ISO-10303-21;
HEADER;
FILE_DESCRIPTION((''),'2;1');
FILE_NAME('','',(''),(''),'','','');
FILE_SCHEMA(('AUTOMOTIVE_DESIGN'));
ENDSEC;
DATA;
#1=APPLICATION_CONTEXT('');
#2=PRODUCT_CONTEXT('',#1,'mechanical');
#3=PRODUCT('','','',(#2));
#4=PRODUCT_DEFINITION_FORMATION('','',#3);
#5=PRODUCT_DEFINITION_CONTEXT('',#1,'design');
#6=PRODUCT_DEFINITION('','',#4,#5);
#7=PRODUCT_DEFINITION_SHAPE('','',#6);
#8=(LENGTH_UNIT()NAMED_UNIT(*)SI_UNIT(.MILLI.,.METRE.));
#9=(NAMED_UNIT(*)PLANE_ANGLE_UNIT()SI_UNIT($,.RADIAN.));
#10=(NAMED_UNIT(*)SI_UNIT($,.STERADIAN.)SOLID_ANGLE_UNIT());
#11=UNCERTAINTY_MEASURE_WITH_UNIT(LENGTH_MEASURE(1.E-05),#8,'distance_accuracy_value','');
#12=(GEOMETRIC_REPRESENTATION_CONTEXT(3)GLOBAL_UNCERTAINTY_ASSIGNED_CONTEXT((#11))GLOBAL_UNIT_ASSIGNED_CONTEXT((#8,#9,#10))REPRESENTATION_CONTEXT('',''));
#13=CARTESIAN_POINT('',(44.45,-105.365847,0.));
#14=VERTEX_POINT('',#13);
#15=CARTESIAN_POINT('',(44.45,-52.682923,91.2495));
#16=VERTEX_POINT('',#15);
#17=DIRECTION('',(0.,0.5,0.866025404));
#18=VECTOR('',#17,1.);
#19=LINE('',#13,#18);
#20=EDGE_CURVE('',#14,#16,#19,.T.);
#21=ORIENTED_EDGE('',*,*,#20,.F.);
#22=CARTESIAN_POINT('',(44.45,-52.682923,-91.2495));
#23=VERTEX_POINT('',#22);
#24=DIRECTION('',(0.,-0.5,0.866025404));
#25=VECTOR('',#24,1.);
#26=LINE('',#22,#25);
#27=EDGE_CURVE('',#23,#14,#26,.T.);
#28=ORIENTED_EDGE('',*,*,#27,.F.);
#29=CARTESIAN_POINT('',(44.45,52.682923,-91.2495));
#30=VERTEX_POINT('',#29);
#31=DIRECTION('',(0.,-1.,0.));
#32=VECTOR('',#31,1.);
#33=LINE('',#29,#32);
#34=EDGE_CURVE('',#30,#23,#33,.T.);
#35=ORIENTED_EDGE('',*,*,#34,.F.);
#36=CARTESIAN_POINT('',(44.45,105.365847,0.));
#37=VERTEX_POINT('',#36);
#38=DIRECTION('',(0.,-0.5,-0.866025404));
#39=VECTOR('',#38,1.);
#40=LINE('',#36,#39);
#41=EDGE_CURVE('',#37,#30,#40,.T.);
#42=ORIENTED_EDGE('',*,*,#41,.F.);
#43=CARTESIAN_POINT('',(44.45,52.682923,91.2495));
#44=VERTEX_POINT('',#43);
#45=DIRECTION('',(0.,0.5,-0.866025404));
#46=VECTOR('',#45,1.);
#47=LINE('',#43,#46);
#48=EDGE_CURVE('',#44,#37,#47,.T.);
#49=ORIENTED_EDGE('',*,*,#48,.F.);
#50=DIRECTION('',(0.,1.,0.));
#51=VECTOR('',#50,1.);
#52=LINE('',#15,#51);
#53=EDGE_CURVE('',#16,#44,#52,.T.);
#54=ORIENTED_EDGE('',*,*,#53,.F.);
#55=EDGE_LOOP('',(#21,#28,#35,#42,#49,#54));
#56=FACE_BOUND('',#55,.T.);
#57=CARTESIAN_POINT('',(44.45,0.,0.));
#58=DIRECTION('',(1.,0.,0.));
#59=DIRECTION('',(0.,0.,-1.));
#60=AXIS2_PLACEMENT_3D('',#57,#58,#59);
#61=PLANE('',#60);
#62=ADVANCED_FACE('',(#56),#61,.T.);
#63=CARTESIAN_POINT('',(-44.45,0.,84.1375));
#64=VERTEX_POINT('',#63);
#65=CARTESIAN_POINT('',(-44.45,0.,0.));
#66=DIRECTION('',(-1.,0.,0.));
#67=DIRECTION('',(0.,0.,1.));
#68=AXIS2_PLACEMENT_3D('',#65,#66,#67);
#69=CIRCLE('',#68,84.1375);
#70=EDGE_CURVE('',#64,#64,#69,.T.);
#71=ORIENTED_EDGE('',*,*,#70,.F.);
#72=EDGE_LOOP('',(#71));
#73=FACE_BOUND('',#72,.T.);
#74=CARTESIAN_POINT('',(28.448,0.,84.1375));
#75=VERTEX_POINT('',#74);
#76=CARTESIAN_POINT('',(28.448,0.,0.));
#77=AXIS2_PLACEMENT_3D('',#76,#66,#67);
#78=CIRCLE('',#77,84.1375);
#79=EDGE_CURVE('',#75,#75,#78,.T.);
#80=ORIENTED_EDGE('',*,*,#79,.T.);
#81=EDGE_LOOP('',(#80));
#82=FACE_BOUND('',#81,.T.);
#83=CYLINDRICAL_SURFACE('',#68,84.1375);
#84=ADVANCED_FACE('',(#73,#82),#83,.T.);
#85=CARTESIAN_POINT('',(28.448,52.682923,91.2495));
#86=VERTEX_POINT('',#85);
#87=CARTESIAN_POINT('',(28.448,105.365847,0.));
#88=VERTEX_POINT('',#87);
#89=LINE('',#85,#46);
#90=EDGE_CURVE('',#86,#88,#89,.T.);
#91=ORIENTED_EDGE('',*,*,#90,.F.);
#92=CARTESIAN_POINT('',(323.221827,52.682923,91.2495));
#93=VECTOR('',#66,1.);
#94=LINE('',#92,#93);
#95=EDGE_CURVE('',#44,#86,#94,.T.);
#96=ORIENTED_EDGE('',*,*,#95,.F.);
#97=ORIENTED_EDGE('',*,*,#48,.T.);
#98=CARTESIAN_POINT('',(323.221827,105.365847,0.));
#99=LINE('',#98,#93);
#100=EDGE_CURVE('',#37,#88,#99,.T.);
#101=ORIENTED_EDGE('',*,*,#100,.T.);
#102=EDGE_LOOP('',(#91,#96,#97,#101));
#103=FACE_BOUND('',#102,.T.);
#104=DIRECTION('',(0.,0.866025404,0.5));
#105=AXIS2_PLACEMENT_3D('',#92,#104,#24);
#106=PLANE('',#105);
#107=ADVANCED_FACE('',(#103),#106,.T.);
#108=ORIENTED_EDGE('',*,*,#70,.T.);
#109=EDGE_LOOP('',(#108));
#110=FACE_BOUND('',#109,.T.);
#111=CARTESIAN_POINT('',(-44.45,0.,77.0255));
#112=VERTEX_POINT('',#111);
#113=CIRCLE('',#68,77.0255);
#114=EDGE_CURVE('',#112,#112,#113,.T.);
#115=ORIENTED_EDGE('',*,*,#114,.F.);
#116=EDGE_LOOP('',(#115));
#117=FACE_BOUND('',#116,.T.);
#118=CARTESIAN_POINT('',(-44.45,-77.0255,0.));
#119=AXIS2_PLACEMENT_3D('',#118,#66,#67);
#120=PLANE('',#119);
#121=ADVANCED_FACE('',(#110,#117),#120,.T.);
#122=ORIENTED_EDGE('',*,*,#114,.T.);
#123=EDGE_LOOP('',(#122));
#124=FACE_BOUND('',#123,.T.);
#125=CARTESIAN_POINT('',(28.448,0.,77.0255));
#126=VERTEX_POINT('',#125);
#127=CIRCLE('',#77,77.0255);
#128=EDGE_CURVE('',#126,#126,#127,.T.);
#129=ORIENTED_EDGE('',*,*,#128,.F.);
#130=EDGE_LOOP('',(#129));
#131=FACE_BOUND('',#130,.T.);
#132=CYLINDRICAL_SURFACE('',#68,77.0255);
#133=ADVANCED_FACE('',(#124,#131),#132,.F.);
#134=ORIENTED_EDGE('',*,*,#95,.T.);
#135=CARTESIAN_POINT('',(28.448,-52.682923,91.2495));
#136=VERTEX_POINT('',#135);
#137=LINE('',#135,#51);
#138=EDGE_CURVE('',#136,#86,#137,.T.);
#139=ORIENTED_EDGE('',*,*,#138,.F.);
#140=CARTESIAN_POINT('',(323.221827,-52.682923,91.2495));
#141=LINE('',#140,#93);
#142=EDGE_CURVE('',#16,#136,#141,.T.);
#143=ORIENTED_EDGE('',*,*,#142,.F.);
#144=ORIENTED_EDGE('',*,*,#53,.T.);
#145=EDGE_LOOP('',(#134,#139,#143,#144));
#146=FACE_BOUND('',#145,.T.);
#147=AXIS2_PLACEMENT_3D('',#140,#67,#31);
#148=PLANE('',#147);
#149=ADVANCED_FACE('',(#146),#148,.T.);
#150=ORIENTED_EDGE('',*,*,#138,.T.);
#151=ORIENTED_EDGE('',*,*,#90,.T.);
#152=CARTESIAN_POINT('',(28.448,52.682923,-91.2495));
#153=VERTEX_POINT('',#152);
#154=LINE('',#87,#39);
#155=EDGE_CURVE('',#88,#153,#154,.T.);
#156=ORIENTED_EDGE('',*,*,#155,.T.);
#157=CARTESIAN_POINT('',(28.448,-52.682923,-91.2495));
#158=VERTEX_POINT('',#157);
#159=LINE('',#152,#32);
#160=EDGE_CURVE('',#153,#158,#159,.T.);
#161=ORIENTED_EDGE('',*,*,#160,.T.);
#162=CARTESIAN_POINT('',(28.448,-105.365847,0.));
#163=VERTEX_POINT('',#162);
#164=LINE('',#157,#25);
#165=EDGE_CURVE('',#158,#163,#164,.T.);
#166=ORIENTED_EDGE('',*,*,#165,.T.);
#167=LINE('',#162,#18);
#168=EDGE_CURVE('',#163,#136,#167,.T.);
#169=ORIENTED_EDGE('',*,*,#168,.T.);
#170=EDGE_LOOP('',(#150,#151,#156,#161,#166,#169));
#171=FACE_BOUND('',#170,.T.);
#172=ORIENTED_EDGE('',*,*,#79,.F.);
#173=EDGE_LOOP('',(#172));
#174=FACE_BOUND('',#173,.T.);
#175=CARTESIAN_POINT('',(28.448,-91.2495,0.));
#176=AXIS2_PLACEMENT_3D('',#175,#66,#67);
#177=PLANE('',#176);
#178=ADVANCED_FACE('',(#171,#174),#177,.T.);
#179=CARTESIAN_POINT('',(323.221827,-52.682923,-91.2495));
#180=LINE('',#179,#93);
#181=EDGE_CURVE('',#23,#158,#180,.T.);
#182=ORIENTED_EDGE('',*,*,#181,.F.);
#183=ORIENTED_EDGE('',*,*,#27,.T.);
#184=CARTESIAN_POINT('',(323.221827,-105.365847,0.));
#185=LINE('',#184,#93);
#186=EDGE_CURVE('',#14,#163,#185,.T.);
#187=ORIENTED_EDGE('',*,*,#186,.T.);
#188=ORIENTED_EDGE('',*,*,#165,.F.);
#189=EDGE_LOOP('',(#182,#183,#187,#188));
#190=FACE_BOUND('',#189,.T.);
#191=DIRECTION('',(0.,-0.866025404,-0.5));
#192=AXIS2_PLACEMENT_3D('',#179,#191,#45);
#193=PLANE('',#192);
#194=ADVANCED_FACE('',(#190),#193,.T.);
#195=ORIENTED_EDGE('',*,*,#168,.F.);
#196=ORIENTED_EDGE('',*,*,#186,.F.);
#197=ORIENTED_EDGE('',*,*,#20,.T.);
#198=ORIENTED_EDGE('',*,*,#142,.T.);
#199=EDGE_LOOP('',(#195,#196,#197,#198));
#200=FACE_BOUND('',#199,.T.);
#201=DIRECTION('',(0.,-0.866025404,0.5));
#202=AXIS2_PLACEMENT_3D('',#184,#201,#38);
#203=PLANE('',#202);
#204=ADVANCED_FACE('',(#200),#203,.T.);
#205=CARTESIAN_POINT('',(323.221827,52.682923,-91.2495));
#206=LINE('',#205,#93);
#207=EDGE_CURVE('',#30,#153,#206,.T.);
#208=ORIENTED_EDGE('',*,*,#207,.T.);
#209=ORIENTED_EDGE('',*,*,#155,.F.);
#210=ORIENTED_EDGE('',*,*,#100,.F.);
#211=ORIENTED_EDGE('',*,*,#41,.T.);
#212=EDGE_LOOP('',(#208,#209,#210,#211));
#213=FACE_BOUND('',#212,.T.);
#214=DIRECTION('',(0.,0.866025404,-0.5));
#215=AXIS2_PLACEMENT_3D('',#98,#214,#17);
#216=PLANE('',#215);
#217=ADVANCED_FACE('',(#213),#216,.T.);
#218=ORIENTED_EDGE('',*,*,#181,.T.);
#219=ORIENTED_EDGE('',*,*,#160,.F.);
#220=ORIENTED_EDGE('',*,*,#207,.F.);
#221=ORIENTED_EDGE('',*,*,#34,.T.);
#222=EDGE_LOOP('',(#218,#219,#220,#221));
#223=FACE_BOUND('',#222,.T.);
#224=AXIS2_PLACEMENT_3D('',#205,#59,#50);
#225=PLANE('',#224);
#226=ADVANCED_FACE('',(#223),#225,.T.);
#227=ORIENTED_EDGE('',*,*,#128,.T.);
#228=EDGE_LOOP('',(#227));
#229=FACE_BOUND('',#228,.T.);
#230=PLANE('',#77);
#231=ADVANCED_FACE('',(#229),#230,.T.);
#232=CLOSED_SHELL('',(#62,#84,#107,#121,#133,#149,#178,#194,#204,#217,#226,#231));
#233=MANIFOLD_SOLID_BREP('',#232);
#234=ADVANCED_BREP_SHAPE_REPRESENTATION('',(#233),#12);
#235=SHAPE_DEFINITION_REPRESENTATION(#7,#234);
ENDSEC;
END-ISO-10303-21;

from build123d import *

# Parameters (mm, degrees)
BOSS_EXTRUDE1_DEPTH = 16.002


with BuildPart() as part:
    # Sketch1 → Revolve1 (revolve)
    with BuildSketch(Plane.XY):
        Polygon((-44.45, -84.1375), (28.448, -84.1375), (28.448, -91.2495), (44.45, -91.2495), (44.45, 0), (28.448, 0), (28.448, -77.0255), (-44.45, -77.0255), align=None)
    revolve(axis=Axis((-44.45, 0, 0), (1, 0, 0)))

    # Sketch2 → Boss-Extrude1 (add)
    with BuildSketch(Plane.ZY.offset(-28.448)):
        Polygon((-91.2495, 52.682923388), (-91.2495, -52.682923388), (0, -105.365846777), (91.2495, -52.682923388), (91.2495, 52.682923388), (0, 105.365846777), align=None)
    extrude(amount=-BOSS_EXTRUDE1_DEPTH)


solid = part.part
